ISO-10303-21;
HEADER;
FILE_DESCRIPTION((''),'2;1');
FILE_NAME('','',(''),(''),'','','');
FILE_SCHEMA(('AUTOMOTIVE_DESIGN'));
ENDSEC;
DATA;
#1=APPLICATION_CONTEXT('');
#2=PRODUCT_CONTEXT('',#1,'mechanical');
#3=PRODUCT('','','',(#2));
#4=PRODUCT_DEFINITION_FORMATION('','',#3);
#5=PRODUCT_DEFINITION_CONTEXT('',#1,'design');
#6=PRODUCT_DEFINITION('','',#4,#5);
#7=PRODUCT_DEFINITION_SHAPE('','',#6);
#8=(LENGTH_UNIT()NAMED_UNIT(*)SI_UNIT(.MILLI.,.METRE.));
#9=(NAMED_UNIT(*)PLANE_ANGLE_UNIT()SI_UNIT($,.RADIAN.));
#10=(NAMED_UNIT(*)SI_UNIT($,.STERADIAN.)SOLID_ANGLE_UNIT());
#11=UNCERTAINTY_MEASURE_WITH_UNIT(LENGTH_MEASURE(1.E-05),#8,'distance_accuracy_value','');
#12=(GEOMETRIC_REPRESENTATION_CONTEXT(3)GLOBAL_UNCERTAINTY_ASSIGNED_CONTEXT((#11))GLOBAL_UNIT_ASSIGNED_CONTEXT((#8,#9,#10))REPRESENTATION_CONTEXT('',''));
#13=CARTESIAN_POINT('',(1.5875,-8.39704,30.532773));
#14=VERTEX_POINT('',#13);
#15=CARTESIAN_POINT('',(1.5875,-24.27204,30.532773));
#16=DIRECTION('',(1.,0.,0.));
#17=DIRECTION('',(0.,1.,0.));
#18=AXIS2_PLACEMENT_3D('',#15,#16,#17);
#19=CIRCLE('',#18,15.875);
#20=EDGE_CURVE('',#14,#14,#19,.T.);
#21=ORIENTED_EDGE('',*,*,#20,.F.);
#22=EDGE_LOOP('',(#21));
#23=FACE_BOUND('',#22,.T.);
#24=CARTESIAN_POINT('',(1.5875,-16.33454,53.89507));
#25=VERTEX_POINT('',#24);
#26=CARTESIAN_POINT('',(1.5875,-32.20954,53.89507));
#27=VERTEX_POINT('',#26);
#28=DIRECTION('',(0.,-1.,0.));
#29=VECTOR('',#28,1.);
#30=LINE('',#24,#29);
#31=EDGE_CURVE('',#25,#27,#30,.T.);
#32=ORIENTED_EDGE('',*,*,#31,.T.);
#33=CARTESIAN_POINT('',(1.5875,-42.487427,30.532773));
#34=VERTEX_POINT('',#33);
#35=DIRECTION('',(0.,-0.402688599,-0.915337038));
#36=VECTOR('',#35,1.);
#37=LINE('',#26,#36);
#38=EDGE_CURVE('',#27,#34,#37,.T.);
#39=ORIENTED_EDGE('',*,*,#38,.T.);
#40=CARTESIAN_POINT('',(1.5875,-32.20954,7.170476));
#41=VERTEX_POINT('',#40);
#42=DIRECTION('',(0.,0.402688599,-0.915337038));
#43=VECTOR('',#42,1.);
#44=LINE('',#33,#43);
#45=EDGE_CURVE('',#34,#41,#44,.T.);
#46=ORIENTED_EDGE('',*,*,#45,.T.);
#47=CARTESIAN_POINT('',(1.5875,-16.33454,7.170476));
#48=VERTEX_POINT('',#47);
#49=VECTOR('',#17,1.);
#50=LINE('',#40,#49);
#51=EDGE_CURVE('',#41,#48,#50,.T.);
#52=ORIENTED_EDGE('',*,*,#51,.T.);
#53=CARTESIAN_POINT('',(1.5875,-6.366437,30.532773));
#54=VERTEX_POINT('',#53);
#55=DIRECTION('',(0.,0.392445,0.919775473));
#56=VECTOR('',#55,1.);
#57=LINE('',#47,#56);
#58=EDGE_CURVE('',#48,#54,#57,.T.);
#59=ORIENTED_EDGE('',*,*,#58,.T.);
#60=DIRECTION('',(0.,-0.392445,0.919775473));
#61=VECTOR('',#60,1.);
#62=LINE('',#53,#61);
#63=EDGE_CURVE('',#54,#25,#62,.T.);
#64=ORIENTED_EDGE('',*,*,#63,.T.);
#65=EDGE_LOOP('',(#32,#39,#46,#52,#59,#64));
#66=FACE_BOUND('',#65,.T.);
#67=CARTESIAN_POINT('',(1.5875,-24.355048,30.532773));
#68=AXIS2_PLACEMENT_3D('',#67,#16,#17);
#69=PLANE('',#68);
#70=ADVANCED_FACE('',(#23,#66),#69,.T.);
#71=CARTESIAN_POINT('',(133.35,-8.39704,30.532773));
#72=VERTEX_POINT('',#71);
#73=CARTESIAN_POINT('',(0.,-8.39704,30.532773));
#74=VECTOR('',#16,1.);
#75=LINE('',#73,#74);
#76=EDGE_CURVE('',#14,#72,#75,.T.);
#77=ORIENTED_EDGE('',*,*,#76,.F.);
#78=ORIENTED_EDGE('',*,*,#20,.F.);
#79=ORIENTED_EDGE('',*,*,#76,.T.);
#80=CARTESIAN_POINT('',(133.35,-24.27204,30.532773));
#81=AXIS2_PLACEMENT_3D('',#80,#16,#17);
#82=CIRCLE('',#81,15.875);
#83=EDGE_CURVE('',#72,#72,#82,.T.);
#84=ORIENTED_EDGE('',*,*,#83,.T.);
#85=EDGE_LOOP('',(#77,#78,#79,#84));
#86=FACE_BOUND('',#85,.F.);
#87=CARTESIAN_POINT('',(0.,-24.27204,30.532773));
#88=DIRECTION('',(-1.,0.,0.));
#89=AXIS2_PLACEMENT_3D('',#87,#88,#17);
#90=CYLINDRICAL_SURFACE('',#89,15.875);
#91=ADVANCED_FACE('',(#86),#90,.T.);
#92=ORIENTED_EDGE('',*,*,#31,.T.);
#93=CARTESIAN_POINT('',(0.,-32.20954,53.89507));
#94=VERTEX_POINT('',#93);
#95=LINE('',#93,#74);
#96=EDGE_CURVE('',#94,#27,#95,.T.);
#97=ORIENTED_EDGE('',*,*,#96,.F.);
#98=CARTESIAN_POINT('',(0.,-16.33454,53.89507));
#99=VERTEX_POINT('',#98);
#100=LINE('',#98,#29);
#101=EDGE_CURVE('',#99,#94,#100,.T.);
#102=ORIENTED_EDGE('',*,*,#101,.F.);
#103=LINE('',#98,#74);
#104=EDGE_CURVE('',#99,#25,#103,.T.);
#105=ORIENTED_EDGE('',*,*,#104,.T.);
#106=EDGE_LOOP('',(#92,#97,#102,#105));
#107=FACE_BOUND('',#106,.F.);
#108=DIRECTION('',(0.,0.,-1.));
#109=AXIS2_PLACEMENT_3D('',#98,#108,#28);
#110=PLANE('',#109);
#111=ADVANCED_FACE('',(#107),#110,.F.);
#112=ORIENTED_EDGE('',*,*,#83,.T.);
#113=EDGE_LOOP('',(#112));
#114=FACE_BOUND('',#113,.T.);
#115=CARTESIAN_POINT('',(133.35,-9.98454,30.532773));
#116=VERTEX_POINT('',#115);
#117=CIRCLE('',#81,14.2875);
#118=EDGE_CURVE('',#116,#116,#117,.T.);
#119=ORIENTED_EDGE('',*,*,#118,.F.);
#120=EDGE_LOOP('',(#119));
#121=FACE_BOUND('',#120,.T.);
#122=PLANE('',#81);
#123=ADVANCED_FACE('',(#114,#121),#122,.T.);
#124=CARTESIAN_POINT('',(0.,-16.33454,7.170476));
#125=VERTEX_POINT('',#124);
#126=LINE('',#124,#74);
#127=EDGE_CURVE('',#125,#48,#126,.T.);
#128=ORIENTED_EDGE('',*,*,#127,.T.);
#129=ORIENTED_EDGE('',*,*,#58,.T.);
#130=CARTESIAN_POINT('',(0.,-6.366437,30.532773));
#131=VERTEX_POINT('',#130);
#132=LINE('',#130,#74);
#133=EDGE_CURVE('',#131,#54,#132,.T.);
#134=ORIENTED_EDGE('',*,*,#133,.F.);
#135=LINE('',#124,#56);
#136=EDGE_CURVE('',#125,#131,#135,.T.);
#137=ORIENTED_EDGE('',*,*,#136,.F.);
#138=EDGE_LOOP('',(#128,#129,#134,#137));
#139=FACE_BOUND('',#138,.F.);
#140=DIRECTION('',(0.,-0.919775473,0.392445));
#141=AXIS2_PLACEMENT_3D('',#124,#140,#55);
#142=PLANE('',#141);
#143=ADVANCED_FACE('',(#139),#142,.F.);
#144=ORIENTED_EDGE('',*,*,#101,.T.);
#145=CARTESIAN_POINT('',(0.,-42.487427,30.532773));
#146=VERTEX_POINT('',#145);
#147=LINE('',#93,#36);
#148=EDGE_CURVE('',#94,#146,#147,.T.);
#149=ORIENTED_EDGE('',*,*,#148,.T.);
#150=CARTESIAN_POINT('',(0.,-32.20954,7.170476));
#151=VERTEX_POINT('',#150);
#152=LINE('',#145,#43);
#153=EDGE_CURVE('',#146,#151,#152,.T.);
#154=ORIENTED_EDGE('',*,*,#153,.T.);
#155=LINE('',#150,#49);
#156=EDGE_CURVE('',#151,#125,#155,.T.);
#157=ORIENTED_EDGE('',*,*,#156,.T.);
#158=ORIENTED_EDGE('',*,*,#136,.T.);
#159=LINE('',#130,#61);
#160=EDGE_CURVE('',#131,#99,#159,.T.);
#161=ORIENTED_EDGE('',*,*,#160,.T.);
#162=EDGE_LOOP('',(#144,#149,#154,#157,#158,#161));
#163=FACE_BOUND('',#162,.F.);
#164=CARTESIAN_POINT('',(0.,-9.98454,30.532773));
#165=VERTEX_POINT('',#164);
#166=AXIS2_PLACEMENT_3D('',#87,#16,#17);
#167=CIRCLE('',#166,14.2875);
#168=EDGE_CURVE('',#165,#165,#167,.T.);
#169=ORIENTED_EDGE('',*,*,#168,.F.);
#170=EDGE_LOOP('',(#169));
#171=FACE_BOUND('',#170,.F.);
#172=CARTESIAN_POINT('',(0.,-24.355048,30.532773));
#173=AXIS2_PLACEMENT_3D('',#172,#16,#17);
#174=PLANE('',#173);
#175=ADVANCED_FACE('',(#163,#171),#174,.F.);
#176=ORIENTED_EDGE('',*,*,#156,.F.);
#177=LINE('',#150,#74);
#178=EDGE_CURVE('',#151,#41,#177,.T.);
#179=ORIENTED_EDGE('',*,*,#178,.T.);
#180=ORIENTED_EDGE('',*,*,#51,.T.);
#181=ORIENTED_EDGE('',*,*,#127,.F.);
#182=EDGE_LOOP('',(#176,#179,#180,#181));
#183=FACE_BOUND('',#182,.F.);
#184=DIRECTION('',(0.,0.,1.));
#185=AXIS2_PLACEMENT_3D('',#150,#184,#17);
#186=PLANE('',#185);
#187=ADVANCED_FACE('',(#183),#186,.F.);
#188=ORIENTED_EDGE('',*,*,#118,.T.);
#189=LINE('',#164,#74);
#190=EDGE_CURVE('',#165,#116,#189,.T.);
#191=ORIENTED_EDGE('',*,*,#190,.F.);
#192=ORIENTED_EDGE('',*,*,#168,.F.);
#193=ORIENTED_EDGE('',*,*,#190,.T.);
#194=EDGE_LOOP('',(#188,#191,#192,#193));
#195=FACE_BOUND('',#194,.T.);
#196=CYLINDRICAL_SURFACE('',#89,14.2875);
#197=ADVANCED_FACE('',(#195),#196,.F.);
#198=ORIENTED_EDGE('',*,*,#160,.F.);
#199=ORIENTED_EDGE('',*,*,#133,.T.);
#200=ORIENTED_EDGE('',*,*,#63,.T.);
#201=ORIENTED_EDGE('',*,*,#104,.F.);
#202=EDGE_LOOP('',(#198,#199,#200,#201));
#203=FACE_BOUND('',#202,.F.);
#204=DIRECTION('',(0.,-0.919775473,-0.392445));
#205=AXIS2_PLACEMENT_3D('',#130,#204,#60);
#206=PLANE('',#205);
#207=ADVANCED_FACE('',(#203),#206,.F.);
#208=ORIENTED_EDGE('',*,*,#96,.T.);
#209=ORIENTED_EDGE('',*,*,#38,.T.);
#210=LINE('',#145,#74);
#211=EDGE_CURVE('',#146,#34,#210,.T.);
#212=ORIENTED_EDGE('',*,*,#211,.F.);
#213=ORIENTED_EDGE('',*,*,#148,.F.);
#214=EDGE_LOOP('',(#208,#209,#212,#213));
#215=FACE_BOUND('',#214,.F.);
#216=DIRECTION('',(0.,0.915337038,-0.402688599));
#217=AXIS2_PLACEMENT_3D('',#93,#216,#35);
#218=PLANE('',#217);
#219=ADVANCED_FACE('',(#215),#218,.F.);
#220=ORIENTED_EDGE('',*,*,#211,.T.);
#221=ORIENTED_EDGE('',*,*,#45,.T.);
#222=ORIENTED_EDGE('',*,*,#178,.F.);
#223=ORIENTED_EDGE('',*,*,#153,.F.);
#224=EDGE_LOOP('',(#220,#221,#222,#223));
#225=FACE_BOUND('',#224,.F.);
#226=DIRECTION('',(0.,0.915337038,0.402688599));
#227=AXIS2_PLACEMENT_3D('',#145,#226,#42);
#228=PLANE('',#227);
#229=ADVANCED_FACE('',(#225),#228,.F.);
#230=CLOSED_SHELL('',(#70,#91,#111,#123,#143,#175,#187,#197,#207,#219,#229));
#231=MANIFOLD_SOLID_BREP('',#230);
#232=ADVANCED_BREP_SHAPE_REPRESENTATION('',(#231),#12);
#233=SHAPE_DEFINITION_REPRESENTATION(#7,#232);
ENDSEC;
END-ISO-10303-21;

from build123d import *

# Parameters (mm, degrees)
F0_R     = 15.875
F1_DEPTH = 1.5875
F0_R_2   = 14.2875
F2_DEPTH = 133.35


with BuildPart() as f1:
    # F0 (on Right) → F1 (new body)
    with BuildSketch(Plane.YZ):
        Polygon((-32.20954, 7.170476), (-24.27204, 7.170476), (-16.33454, 7.170476), (-6.366437, 30.532773), (-16.33454, 53.89507), (-24.27204, 53.89507), (-32.20954, 53.89507), (-42.487427, 30.532773), align=None)
        with Locations((-24.27204, 30.532773)):
            Circle(F0_R, mode=Mode.SUBTRACT)
    extrude(amount=F1_DEPTH)

    # F0 (on Right) → F2 (join)
    with BuildSketch(Plane.YZ):
        with Locations((-24.27204, 30.532773)):
            Circle(F0_R)
        with Locations((-24.27204, 30.532773)):
            Circle(F0_R_2, mode=Mode.SUBTRACT)
    extrude(amount=F2_DEPTH)


solid = f1.part
